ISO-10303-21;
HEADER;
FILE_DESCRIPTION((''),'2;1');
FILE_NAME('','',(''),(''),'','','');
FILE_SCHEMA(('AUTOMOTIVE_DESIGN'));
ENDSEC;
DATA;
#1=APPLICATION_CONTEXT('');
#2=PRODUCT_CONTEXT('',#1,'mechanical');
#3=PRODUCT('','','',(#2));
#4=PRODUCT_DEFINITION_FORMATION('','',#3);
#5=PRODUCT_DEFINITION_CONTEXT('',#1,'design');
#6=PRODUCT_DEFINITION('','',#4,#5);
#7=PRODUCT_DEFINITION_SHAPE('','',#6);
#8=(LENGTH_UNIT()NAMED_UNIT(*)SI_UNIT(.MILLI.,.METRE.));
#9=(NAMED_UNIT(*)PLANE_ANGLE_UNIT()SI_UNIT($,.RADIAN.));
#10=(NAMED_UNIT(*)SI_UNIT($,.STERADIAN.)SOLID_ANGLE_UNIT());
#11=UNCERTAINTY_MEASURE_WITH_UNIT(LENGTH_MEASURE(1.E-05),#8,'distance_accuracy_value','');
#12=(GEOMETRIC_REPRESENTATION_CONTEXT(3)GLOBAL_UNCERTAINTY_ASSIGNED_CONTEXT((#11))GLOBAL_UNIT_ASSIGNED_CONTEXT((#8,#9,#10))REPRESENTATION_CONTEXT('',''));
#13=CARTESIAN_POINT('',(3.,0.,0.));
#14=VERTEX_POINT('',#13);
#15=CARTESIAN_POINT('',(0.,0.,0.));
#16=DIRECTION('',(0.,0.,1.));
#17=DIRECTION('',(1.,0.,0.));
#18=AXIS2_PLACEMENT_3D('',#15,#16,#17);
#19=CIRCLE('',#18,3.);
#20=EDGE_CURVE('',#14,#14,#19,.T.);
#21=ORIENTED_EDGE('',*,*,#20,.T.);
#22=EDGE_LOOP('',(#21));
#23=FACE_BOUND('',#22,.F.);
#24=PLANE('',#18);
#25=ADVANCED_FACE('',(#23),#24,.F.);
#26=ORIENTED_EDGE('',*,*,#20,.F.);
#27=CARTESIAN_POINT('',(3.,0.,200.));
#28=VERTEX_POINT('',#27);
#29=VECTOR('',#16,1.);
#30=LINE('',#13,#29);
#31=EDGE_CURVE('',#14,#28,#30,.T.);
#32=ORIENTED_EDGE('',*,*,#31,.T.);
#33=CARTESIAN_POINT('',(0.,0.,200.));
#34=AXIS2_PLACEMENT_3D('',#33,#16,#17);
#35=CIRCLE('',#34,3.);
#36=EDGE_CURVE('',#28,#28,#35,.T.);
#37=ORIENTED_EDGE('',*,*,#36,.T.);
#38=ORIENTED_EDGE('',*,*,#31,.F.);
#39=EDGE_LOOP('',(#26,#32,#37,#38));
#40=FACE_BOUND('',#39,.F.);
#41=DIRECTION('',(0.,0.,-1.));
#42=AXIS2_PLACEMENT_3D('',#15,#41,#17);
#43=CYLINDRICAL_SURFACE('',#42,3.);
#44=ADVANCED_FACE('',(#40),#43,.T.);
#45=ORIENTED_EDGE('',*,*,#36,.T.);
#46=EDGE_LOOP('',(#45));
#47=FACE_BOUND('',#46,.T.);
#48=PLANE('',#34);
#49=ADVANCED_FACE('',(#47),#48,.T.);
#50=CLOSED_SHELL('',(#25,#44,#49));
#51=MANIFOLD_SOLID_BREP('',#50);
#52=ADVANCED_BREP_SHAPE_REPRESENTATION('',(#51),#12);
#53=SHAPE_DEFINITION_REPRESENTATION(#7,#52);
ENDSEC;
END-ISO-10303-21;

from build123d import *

# Parameters (mm, degrees)
SKETCH1_R  = 3
MAIN_DEPTH = 200


with BuildPart() as part:
    # Sketch1 → Main (new body)
    with BuildSketch(Plane.XY):
        Circle(SKETCH1_R)
    extrude(amount=MAIN_DEPTH)


solid = part.part
